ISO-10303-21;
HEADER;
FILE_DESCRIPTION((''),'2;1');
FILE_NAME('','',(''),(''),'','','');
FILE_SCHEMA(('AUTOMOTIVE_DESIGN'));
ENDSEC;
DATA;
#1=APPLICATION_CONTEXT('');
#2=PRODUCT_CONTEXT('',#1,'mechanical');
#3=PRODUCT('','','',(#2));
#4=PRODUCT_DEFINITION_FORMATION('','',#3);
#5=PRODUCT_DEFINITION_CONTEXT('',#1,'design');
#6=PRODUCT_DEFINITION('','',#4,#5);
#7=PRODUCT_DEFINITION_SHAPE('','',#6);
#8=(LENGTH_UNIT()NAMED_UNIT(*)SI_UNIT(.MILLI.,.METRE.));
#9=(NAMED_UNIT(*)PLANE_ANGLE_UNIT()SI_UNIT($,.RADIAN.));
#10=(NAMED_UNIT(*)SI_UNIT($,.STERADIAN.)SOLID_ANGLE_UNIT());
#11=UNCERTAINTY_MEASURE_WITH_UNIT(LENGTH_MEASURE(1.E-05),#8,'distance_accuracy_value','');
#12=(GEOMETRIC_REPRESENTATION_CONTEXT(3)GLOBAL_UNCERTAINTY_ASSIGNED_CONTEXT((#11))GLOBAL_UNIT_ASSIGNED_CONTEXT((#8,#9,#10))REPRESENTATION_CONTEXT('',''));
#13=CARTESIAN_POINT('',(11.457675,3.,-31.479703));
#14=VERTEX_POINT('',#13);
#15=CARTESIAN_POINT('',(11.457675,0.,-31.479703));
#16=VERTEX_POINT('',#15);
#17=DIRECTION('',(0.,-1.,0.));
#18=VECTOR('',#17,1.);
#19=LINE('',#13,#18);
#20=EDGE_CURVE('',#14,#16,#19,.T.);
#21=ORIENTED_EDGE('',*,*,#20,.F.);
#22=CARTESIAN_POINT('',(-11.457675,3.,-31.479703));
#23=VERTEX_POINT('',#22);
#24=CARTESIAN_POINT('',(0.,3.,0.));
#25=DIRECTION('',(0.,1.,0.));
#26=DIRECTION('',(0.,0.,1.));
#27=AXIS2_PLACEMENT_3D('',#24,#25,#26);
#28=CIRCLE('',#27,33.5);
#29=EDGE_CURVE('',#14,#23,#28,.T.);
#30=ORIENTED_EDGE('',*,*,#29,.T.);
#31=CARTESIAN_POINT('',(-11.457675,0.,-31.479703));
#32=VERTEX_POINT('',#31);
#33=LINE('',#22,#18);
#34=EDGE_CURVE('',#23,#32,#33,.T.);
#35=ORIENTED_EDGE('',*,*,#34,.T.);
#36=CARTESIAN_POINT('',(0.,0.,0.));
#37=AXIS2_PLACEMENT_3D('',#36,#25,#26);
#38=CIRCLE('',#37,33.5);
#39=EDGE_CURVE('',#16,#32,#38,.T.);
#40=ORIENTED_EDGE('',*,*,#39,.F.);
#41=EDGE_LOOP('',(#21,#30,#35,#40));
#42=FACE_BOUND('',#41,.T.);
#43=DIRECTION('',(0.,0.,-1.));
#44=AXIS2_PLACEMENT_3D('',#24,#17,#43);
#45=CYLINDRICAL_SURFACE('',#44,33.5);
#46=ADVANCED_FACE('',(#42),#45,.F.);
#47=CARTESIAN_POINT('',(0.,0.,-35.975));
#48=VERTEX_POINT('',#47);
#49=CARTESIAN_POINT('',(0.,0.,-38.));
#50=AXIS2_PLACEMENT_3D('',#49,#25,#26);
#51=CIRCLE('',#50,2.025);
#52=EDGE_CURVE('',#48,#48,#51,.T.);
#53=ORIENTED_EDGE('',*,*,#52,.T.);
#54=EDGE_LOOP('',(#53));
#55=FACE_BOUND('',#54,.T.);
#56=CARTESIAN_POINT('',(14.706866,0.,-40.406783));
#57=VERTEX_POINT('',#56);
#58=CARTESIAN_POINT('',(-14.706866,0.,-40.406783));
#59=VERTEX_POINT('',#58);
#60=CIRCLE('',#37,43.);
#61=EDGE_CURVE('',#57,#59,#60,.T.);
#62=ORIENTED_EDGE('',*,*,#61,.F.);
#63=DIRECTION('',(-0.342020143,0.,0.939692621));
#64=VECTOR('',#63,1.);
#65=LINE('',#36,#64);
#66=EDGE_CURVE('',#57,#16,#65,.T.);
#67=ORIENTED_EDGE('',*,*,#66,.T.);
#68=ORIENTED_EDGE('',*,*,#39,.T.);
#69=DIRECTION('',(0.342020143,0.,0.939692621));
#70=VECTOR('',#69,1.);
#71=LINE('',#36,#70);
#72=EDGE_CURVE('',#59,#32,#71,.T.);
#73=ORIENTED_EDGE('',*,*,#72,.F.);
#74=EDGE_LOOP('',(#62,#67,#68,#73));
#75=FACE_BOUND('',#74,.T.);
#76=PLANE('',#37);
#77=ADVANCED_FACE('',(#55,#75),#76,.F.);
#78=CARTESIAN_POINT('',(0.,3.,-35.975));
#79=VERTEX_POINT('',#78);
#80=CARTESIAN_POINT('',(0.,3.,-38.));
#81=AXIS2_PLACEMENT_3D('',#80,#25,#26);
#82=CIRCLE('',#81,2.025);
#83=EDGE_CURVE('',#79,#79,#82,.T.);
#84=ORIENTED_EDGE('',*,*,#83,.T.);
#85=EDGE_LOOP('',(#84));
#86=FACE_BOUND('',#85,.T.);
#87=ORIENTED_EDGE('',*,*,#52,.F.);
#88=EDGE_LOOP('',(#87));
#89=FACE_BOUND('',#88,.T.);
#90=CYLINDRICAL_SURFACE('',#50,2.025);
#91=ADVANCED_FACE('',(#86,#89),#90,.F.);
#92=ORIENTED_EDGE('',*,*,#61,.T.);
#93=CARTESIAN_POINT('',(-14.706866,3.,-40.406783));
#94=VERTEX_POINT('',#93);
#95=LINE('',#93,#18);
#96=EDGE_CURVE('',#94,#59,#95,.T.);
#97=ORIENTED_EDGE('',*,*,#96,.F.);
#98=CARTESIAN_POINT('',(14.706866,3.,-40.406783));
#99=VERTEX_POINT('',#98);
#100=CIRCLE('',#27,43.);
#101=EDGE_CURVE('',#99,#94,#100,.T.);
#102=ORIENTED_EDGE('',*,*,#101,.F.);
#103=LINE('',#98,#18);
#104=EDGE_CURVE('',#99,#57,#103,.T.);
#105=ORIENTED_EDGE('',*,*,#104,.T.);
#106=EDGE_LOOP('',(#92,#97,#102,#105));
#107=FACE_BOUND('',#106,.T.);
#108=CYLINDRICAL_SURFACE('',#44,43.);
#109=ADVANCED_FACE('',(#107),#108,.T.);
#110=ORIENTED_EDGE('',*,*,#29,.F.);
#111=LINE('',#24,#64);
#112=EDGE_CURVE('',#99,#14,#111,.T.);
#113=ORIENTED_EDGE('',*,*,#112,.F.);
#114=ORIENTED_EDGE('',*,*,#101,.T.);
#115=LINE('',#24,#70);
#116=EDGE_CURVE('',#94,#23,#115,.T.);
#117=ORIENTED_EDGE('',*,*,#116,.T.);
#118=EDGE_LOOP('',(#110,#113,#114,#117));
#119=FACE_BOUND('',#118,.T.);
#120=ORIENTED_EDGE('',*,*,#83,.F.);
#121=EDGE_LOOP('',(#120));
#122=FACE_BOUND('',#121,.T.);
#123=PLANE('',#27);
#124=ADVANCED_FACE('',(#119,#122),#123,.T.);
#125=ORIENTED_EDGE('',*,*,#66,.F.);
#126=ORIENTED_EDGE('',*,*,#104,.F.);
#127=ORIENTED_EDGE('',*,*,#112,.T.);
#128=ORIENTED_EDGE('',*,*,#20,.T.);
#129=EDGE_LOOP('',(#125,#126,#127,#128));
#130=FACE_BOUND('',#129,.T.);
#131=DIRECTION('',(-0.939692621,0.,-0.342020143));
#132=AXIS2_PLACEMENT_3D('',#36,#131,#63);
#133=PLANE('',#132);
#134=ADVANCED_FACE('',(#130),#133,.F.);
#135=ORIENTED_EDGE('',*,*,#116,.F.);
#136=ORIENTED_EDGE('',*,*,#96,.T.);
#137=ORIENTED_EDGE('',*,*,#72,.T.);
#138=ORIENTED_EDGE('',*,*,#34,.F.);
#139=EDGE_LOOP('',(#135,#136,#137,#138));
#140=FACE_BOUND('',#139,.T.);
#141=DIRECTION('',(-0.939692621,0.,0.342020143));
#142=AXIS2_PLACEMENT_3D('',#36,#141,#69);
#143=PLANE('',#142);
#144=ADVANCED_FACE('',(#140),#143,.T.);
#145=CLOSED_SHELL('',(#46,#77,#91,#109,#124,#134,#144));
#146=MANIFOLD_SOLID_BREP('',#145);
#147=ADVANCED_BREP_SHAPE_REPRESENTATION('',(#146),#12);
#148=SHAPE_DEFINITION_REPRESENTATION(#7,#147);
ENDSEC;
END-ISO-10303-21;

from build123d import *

# Parameters (mm, degrees)
SKETCH1_R               = 43
SKETCH1_R_2             = 33.5
BOSS_EXTRUDE1_DEPTH     = 3
CUT_EXTRUDE1_START      = -4
CUT_EXTRUDE1_DEPTH      = 5
SKETCH3_R               = 2.025
CUT_EXTRUDE2_DEPTH      = 1
CUT_EXTRUDE2_DEPTH_BACK = 4


with BuildPart() as part:
    # Sketch1 → Boss-Extrude1 (new body)
    with BuildSketch(Plane(origin=(0, 0, 0), x_dir=(1, 0, 0), z_dir=(0, 1, 0))):
        Circle(SKETCH1_R)
        Circle(SKETCH1_R_2, mode=Mode.SUBTRACT)
    extrude(amount=BOSS_EXTRUDE1_DEPTH)

    # Sketch2 → Cut-Extrude1 (cut)
    with BuildSketch(Plane(origin=(0, 3, 0), x_dir=(1, 0, 0), z_dir=(0, 1, 0)).offset(CUT_EXTRUDE1_START)):
        with BuildLine():
            Line((0, 0), (0, -52.31984462))
            ThreePointArc((0, -52.31984462), (51.524988618, -9.085245674), (17.894440756, 49.16457191))
            Line((17.894440756, 49.16457191), (0, 0))
        make_face()
    cut_extrude1 = extrude(amount=CUT_EXTRUDE1_DEPTH, mode=Mode.SUBTRACT)

    # Mirror1: Cut-Extrude1 across plane
    add(cut_extrude1.mirror(Plane(origin=(0, 0, 0), x_dir=(0, 0, 1), z_dir=(1, 0, 0))), mode=Mode.SUBTRACT)

    # Sketch3 → Cut-Extrude2 (cut, two sides)
    with BuildSketch(Plane(origin=(0, 3, 0), x_dir=(1, 0, 0), z_dir=(0, 1, 0))) as cut_extrude2_sk:
        with Locations((0, 38)):
            Circle(SKETCH3_R)
    extrude(amount=CUT_EXTRUDE2_DEPTH, mode=Mode.SUBTRACT)
    extrude(cut_extrude2_sk.sketch, amount=-CUT_EXTRUDE2_DEPTH_BACK, mode=Mode.SUBTRACT)


solid = part.part
